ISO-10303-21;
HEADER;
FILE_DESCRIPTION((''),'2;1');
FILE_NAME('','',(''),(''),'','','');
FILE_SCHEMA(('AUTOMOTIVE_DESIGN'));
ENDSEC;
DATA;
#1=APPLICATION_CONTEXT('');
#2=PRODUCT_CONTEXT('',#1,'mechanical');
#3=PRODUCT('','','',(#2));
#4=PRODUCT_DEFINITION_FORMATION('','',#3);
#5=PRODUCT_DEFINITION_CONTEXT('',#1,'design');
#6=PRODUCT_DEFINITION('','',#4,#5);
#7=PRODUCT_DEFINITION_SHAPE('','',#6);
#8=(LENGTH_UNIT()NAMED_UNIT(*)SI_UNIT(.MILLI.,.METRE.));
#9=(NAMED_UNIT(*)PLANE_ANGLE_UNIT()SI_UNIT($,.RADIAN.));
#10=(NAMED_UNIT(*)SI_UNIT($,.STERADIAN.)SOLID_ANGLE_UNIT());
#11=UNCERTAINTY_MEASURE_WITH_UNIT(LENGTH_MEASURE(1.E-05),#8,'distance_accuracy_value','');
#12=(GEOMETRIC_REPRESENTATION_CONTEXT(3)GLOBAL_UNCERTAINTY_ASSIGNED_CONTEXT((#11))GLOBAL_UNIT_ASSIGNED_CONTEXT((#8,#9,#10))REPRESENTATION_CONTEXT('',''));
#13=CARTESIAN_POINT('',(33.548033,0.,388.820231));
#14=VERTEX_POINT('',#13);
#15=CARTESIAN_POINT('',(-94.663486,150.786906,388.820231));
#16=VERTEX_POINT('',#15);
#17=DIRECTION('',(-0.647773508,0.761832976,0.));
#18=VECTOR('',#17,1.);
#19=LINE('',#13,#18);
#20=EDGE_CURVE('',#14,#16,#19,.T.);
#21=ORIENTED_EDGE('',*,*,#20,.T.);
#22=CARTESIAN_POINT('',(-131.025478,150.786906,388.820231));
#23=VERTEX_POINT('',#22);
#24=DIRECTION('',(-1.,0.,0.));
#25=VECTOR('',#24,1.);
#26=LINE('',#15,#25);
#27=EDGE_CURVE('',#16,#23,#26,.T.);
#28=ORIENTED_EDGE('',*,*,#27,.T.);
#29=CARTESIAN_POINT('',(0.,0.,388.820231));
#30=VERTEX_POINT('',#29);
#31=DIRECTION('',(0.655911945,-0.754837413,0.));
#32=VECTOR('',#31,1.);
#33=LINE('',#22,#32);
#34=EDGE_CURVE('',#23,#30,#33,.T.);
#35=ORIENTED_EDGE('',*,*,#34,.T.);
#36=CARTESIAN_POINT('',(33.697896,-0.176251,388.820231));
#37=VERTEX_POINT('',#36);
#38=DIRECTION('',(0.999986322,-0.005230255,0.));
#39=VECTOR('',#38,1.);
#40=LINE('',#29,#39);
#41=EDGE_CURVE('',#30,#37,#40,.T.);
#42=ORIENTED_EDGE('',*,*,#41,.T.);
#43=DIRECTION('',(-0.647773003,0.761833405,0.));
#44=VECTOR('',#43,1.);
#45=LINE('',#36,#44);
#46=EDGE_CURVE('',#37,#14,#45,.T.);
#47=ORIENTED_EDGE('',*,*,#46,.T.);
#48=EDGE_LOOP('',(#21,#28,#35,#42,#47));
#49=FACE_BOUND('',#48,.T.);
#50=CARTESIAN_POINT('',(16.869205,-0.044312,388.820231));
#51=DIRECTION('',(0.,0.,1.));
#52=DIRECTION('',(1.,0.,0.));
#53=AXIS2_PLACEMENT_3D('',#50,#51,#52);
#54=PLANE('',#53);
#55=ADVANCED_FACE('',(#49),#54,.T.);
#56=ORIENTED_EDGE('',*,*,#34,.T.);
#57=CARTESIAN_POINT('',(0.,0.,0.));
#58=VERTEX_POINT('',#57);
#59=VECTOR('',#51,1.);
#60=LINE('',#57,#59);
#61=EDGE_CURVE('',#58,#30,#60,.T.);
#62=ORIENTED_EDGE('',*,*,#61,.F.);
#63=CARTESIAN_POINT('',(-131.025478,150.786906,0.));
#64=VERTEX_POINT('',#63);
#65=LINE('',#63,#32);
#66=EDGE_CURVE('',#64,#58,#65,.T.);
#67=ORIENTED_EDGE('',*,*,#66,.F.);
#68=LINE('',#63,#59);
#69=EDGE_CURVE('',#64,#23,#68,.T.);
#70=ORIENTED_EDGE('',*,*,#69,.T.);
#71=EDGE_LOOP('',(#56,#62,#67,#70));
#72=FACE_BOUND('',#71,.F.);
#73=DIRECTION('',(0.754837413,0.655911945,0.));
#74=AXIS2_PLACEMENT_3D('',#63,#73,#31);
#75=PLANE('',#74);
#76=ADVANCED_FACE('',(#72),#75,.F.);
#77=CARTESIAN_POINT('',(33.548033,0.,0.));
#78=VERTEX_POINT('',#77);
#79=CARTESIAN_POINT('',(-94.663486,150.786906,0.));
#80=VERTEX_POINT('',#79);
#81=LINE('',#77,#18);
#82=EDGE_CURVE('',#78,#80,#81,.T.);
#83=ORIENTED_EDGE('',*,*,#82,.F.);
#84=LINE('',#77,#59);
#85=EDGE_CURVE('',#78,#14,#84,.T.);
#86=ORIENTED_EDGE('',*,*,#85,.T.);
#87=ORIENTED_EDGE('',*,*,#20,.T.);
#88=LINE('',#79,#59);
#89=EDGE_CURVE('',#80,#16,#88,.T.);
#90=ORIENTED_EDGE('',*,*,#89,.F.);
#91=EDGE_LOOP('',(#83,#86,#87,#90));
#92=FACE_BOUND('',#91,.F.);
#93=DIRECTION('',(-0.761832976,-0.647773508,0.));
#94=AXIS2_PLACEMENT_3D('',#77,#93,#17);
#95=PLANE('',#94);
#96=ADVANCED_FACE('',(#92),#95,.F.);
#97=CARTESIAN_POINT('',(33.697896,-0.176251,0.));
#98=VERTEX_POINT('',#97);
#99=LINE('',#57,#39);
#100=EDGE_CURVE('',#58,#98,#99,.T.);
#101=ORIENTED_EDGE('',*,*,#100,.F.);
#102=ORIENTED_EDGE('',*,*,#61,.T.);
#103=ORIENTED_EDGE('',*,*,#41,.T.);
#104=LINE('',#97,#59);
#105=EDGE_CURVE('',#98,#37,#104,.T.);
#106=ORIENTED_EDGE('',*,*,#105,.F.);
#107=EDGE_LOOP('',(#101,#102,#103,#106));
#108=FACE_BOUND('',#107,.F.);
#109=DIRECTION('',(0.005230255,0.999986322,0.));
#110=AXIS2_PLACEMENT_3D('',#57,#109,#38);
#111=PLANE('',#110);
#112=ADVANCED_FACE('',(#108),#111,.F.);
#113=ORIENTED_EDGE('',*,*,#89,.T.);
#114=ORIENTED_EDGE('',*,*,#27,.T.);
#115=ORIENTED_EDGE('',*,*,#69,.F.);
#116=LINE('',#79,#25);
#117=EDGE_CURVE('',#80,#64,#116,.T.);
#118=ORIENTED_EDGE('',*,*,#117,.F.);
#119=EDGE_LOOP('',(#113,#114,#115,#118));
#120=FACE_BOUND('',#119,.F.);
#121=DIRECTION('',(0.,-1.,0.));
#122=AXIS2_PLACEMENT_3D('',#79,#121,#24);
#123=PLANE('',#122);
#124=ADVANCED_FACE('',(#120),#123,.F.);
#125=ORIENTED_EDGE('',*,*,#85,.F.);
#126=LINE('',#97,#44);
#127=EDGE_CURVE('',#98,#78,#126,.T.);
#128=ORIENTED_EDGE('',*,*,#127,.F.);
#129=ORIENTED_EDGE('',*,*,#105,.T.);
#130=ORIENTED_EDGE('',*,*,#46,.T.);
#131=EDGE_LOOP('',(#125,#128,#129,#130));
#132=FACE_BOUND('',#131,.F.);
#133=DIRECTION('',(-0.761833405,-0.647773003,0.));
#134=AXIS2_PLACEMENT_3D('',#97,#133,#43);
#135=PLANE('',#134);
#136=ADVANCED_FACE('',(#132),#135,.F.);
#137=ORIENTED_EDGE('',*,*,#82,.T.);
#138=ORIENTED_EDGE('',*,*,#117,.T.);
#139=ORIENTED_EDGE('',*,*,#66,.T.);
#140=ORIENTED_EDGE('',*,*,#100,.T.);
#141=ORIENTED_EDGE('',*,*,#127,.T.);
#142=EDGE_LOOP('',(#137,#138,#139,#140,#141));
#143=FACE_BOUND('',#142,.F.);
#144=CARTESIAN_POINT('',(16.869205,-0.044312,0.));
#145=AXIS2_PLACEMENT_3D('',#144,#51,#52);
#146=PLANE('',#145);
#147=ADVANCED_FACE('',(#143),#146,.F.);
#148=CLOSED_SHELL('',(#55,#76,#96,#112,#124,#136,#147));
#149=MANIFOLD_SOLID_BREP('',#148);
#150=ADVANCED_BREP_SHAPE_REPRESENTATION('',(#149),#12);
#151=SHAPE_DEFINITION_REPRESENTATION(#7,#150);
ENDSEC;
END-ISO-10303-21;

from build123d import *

# Parameters (mm, degrees)
F1_DEPTH = 388.820231


with BuildPart() as f1:
    # F0 (on Top) → F1 (new body)
    with BuildSketch(Plane.XY):
        Polygon((33.697896, -0.176251), (33.548033, 0), (0, 0), align=None)
        Polygon((0, 0), (33.548033, 0), (-94.663486, 150.786906), (-131.025478, 150.786906), align=None)
    extrude(amount=F1_DEPTH)


solid = f1.part
